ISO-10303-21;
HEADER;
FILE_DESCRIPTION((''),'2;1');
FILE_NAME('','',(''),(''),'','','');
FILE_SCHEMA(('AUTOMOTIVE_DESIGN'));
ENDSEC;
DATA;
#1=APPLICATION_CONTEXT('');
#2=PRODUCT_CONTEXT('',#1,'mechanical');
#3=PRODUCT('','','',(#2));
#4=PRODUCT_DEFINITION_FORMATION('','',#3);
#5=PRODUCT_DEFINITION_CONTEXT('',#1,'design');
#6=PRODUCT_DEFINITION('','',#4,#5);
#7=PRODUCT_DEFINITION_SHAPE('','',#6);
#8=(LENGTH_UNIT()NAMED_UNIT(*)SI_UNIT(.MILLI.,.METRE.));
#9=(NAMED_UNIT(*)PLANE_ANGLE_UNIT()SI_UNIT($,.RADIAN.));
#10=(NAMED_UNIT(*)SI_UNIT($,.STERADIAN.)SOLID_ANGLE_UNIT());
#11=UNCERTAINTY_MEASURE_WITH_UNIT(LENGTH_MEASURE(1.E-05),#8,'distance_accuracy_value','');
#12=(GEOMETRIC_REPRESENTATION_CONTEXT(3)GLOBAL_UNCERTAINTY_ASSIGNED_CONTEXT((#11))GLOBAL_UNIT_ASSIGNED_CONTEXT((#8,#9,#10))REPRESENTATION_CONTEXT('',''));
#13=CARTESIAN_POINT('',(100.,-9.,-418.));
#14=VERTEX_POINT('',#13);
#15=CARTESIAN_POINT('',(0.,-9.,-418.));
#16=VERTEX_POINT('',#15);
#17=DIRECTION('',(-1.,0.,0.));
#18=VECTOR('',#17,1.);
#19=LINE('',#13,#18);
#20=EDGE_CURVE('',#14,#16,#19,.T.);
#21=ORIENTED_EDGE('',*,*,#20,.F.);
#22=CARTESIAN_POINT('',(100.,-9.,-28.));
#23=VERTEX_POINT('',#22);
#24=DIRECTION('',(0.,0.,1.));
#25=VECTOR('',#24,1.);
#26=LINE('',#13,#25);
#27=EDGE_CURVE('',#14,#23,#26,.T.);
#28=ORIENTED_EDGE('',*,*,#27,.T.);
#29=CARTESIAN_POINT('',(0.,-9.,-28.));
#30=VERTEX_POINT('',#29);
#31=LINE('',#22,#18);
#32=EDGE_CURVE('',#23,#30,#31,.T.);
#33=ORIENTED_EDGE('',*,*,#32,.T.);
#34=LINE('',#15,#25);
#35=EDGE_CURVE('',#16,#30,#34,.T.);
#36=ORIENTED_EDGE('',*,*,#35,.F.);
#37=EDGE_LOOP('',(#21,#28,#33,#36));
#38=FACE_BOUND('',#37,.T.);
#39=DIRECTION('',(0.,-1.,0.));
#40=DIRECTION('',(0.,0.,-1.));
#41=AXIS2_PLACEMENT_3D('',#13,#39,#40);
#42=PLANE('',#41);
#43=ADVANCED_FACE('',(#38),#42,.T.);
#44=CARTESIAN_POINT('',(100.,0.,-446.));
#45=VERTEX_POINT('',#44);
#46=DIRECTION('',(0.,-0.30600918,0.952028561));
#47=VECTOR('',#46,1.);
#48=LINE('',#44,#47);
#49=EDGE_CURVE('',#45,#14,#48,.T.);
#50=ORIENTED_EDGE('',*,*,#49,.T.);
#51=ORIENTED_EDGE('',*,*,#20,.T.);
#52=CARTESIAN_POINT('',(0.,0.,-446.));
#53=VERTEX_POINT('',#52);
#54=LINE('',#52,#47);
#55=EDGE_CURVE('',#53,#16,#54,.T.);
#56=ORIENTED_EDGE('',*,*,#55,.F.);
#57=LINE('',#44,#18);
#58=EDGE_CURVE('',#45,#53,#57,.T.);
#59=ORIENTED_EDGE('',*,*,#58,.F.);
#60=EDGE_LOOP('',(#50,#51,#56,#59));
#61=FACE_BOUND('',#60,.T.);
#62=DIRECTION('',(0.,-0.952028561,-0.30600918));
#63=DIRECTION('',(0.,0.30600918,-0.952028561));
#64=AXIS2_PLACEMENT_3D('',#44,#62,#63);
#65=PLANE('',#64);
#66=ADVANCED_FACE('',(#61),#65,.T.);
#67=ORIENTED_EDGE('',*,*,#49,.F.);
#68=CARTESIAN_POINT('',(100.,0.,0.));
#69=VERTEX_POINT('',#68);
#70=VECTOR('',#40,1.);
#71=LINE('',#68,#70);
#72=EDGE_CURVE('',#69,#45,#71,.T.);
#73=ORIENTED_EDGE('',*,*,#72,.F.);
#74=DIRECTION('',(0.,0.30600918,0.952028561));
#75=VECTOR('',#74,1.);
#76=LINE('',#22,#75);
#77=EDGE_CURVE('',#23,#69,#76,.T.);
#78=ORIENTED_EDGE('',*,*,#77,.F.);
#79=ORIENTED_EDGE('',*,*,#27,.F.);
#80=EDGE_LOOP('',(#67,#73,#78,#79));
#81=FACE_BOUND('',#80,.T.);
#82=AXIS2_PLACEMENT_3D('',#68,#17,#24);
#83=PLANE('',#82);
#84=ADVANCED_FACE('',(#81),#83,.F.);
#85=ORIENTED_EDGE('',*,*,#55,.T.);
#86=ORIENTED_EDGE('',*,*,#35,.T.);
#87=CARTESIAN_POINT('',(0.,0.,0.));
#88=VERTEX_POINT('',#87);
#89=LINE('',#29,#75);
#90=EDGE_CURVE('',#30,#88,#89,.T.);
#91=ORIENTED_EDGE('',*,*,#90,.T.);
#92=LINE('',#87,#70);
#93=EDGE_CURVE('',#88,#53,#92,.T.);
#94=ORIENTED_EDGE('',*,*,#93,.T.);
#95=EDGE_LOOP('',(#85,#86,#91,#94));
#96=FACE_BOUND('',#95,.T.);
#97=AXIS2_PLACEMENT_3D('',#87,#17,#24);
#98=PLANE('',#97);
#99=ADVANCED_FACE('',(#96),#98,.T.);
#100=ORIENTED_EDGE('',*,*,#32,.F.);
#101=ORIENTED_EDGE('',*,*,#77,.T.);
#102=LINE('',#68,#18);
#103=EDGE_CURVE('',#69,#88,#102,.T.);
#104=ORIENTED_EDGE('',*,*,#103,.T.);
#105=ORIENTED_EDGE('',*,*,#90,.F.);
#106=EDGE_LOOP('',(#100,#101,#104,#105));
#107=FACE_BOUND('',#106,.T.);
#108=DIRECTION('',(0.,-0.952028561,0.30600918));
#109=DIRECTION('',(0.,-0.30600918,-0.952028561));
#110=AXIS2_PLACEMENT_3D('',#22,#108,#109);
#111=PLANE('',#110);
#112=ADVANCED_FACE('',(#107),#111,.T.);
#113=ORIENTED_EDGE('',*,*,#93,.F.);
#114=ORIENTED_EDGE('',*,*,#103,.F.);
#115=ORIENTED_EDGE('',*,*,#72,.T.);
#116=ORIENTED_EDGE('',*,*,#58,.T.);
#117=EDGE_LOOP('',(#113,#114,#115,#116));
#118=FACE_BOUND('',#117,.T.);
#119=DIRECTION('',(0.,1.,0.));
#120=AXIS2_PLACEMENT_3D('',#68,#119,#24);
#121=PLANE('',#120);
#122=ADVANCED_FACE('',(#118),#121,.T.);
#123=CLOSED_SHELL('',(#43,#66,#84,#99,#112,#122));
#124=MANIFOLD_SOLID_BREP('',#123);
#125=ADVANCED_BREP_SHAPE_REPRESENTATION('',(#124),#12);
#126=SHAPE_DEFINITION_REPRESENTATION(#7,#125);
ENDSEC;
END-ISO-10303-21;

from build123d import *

# Parameters (mm, degrees)
BOSS_EXTRUDE1_DEPTH = 100


with BuildPart() as part:
    # Sketch1 → Boss-Extrude1 (new body)
    with BuildSketch(Plane(origin=(0, 0, 0), x_dir=(0, 0, -1), z_dir=(1, 0, 0))):
        Polygon((0, 0), (446, 0), (418, -9), (28, -9), align=None)
    extrude(amount=BOSS_EXTRUDE1_DEPTH)


solid = part.part
